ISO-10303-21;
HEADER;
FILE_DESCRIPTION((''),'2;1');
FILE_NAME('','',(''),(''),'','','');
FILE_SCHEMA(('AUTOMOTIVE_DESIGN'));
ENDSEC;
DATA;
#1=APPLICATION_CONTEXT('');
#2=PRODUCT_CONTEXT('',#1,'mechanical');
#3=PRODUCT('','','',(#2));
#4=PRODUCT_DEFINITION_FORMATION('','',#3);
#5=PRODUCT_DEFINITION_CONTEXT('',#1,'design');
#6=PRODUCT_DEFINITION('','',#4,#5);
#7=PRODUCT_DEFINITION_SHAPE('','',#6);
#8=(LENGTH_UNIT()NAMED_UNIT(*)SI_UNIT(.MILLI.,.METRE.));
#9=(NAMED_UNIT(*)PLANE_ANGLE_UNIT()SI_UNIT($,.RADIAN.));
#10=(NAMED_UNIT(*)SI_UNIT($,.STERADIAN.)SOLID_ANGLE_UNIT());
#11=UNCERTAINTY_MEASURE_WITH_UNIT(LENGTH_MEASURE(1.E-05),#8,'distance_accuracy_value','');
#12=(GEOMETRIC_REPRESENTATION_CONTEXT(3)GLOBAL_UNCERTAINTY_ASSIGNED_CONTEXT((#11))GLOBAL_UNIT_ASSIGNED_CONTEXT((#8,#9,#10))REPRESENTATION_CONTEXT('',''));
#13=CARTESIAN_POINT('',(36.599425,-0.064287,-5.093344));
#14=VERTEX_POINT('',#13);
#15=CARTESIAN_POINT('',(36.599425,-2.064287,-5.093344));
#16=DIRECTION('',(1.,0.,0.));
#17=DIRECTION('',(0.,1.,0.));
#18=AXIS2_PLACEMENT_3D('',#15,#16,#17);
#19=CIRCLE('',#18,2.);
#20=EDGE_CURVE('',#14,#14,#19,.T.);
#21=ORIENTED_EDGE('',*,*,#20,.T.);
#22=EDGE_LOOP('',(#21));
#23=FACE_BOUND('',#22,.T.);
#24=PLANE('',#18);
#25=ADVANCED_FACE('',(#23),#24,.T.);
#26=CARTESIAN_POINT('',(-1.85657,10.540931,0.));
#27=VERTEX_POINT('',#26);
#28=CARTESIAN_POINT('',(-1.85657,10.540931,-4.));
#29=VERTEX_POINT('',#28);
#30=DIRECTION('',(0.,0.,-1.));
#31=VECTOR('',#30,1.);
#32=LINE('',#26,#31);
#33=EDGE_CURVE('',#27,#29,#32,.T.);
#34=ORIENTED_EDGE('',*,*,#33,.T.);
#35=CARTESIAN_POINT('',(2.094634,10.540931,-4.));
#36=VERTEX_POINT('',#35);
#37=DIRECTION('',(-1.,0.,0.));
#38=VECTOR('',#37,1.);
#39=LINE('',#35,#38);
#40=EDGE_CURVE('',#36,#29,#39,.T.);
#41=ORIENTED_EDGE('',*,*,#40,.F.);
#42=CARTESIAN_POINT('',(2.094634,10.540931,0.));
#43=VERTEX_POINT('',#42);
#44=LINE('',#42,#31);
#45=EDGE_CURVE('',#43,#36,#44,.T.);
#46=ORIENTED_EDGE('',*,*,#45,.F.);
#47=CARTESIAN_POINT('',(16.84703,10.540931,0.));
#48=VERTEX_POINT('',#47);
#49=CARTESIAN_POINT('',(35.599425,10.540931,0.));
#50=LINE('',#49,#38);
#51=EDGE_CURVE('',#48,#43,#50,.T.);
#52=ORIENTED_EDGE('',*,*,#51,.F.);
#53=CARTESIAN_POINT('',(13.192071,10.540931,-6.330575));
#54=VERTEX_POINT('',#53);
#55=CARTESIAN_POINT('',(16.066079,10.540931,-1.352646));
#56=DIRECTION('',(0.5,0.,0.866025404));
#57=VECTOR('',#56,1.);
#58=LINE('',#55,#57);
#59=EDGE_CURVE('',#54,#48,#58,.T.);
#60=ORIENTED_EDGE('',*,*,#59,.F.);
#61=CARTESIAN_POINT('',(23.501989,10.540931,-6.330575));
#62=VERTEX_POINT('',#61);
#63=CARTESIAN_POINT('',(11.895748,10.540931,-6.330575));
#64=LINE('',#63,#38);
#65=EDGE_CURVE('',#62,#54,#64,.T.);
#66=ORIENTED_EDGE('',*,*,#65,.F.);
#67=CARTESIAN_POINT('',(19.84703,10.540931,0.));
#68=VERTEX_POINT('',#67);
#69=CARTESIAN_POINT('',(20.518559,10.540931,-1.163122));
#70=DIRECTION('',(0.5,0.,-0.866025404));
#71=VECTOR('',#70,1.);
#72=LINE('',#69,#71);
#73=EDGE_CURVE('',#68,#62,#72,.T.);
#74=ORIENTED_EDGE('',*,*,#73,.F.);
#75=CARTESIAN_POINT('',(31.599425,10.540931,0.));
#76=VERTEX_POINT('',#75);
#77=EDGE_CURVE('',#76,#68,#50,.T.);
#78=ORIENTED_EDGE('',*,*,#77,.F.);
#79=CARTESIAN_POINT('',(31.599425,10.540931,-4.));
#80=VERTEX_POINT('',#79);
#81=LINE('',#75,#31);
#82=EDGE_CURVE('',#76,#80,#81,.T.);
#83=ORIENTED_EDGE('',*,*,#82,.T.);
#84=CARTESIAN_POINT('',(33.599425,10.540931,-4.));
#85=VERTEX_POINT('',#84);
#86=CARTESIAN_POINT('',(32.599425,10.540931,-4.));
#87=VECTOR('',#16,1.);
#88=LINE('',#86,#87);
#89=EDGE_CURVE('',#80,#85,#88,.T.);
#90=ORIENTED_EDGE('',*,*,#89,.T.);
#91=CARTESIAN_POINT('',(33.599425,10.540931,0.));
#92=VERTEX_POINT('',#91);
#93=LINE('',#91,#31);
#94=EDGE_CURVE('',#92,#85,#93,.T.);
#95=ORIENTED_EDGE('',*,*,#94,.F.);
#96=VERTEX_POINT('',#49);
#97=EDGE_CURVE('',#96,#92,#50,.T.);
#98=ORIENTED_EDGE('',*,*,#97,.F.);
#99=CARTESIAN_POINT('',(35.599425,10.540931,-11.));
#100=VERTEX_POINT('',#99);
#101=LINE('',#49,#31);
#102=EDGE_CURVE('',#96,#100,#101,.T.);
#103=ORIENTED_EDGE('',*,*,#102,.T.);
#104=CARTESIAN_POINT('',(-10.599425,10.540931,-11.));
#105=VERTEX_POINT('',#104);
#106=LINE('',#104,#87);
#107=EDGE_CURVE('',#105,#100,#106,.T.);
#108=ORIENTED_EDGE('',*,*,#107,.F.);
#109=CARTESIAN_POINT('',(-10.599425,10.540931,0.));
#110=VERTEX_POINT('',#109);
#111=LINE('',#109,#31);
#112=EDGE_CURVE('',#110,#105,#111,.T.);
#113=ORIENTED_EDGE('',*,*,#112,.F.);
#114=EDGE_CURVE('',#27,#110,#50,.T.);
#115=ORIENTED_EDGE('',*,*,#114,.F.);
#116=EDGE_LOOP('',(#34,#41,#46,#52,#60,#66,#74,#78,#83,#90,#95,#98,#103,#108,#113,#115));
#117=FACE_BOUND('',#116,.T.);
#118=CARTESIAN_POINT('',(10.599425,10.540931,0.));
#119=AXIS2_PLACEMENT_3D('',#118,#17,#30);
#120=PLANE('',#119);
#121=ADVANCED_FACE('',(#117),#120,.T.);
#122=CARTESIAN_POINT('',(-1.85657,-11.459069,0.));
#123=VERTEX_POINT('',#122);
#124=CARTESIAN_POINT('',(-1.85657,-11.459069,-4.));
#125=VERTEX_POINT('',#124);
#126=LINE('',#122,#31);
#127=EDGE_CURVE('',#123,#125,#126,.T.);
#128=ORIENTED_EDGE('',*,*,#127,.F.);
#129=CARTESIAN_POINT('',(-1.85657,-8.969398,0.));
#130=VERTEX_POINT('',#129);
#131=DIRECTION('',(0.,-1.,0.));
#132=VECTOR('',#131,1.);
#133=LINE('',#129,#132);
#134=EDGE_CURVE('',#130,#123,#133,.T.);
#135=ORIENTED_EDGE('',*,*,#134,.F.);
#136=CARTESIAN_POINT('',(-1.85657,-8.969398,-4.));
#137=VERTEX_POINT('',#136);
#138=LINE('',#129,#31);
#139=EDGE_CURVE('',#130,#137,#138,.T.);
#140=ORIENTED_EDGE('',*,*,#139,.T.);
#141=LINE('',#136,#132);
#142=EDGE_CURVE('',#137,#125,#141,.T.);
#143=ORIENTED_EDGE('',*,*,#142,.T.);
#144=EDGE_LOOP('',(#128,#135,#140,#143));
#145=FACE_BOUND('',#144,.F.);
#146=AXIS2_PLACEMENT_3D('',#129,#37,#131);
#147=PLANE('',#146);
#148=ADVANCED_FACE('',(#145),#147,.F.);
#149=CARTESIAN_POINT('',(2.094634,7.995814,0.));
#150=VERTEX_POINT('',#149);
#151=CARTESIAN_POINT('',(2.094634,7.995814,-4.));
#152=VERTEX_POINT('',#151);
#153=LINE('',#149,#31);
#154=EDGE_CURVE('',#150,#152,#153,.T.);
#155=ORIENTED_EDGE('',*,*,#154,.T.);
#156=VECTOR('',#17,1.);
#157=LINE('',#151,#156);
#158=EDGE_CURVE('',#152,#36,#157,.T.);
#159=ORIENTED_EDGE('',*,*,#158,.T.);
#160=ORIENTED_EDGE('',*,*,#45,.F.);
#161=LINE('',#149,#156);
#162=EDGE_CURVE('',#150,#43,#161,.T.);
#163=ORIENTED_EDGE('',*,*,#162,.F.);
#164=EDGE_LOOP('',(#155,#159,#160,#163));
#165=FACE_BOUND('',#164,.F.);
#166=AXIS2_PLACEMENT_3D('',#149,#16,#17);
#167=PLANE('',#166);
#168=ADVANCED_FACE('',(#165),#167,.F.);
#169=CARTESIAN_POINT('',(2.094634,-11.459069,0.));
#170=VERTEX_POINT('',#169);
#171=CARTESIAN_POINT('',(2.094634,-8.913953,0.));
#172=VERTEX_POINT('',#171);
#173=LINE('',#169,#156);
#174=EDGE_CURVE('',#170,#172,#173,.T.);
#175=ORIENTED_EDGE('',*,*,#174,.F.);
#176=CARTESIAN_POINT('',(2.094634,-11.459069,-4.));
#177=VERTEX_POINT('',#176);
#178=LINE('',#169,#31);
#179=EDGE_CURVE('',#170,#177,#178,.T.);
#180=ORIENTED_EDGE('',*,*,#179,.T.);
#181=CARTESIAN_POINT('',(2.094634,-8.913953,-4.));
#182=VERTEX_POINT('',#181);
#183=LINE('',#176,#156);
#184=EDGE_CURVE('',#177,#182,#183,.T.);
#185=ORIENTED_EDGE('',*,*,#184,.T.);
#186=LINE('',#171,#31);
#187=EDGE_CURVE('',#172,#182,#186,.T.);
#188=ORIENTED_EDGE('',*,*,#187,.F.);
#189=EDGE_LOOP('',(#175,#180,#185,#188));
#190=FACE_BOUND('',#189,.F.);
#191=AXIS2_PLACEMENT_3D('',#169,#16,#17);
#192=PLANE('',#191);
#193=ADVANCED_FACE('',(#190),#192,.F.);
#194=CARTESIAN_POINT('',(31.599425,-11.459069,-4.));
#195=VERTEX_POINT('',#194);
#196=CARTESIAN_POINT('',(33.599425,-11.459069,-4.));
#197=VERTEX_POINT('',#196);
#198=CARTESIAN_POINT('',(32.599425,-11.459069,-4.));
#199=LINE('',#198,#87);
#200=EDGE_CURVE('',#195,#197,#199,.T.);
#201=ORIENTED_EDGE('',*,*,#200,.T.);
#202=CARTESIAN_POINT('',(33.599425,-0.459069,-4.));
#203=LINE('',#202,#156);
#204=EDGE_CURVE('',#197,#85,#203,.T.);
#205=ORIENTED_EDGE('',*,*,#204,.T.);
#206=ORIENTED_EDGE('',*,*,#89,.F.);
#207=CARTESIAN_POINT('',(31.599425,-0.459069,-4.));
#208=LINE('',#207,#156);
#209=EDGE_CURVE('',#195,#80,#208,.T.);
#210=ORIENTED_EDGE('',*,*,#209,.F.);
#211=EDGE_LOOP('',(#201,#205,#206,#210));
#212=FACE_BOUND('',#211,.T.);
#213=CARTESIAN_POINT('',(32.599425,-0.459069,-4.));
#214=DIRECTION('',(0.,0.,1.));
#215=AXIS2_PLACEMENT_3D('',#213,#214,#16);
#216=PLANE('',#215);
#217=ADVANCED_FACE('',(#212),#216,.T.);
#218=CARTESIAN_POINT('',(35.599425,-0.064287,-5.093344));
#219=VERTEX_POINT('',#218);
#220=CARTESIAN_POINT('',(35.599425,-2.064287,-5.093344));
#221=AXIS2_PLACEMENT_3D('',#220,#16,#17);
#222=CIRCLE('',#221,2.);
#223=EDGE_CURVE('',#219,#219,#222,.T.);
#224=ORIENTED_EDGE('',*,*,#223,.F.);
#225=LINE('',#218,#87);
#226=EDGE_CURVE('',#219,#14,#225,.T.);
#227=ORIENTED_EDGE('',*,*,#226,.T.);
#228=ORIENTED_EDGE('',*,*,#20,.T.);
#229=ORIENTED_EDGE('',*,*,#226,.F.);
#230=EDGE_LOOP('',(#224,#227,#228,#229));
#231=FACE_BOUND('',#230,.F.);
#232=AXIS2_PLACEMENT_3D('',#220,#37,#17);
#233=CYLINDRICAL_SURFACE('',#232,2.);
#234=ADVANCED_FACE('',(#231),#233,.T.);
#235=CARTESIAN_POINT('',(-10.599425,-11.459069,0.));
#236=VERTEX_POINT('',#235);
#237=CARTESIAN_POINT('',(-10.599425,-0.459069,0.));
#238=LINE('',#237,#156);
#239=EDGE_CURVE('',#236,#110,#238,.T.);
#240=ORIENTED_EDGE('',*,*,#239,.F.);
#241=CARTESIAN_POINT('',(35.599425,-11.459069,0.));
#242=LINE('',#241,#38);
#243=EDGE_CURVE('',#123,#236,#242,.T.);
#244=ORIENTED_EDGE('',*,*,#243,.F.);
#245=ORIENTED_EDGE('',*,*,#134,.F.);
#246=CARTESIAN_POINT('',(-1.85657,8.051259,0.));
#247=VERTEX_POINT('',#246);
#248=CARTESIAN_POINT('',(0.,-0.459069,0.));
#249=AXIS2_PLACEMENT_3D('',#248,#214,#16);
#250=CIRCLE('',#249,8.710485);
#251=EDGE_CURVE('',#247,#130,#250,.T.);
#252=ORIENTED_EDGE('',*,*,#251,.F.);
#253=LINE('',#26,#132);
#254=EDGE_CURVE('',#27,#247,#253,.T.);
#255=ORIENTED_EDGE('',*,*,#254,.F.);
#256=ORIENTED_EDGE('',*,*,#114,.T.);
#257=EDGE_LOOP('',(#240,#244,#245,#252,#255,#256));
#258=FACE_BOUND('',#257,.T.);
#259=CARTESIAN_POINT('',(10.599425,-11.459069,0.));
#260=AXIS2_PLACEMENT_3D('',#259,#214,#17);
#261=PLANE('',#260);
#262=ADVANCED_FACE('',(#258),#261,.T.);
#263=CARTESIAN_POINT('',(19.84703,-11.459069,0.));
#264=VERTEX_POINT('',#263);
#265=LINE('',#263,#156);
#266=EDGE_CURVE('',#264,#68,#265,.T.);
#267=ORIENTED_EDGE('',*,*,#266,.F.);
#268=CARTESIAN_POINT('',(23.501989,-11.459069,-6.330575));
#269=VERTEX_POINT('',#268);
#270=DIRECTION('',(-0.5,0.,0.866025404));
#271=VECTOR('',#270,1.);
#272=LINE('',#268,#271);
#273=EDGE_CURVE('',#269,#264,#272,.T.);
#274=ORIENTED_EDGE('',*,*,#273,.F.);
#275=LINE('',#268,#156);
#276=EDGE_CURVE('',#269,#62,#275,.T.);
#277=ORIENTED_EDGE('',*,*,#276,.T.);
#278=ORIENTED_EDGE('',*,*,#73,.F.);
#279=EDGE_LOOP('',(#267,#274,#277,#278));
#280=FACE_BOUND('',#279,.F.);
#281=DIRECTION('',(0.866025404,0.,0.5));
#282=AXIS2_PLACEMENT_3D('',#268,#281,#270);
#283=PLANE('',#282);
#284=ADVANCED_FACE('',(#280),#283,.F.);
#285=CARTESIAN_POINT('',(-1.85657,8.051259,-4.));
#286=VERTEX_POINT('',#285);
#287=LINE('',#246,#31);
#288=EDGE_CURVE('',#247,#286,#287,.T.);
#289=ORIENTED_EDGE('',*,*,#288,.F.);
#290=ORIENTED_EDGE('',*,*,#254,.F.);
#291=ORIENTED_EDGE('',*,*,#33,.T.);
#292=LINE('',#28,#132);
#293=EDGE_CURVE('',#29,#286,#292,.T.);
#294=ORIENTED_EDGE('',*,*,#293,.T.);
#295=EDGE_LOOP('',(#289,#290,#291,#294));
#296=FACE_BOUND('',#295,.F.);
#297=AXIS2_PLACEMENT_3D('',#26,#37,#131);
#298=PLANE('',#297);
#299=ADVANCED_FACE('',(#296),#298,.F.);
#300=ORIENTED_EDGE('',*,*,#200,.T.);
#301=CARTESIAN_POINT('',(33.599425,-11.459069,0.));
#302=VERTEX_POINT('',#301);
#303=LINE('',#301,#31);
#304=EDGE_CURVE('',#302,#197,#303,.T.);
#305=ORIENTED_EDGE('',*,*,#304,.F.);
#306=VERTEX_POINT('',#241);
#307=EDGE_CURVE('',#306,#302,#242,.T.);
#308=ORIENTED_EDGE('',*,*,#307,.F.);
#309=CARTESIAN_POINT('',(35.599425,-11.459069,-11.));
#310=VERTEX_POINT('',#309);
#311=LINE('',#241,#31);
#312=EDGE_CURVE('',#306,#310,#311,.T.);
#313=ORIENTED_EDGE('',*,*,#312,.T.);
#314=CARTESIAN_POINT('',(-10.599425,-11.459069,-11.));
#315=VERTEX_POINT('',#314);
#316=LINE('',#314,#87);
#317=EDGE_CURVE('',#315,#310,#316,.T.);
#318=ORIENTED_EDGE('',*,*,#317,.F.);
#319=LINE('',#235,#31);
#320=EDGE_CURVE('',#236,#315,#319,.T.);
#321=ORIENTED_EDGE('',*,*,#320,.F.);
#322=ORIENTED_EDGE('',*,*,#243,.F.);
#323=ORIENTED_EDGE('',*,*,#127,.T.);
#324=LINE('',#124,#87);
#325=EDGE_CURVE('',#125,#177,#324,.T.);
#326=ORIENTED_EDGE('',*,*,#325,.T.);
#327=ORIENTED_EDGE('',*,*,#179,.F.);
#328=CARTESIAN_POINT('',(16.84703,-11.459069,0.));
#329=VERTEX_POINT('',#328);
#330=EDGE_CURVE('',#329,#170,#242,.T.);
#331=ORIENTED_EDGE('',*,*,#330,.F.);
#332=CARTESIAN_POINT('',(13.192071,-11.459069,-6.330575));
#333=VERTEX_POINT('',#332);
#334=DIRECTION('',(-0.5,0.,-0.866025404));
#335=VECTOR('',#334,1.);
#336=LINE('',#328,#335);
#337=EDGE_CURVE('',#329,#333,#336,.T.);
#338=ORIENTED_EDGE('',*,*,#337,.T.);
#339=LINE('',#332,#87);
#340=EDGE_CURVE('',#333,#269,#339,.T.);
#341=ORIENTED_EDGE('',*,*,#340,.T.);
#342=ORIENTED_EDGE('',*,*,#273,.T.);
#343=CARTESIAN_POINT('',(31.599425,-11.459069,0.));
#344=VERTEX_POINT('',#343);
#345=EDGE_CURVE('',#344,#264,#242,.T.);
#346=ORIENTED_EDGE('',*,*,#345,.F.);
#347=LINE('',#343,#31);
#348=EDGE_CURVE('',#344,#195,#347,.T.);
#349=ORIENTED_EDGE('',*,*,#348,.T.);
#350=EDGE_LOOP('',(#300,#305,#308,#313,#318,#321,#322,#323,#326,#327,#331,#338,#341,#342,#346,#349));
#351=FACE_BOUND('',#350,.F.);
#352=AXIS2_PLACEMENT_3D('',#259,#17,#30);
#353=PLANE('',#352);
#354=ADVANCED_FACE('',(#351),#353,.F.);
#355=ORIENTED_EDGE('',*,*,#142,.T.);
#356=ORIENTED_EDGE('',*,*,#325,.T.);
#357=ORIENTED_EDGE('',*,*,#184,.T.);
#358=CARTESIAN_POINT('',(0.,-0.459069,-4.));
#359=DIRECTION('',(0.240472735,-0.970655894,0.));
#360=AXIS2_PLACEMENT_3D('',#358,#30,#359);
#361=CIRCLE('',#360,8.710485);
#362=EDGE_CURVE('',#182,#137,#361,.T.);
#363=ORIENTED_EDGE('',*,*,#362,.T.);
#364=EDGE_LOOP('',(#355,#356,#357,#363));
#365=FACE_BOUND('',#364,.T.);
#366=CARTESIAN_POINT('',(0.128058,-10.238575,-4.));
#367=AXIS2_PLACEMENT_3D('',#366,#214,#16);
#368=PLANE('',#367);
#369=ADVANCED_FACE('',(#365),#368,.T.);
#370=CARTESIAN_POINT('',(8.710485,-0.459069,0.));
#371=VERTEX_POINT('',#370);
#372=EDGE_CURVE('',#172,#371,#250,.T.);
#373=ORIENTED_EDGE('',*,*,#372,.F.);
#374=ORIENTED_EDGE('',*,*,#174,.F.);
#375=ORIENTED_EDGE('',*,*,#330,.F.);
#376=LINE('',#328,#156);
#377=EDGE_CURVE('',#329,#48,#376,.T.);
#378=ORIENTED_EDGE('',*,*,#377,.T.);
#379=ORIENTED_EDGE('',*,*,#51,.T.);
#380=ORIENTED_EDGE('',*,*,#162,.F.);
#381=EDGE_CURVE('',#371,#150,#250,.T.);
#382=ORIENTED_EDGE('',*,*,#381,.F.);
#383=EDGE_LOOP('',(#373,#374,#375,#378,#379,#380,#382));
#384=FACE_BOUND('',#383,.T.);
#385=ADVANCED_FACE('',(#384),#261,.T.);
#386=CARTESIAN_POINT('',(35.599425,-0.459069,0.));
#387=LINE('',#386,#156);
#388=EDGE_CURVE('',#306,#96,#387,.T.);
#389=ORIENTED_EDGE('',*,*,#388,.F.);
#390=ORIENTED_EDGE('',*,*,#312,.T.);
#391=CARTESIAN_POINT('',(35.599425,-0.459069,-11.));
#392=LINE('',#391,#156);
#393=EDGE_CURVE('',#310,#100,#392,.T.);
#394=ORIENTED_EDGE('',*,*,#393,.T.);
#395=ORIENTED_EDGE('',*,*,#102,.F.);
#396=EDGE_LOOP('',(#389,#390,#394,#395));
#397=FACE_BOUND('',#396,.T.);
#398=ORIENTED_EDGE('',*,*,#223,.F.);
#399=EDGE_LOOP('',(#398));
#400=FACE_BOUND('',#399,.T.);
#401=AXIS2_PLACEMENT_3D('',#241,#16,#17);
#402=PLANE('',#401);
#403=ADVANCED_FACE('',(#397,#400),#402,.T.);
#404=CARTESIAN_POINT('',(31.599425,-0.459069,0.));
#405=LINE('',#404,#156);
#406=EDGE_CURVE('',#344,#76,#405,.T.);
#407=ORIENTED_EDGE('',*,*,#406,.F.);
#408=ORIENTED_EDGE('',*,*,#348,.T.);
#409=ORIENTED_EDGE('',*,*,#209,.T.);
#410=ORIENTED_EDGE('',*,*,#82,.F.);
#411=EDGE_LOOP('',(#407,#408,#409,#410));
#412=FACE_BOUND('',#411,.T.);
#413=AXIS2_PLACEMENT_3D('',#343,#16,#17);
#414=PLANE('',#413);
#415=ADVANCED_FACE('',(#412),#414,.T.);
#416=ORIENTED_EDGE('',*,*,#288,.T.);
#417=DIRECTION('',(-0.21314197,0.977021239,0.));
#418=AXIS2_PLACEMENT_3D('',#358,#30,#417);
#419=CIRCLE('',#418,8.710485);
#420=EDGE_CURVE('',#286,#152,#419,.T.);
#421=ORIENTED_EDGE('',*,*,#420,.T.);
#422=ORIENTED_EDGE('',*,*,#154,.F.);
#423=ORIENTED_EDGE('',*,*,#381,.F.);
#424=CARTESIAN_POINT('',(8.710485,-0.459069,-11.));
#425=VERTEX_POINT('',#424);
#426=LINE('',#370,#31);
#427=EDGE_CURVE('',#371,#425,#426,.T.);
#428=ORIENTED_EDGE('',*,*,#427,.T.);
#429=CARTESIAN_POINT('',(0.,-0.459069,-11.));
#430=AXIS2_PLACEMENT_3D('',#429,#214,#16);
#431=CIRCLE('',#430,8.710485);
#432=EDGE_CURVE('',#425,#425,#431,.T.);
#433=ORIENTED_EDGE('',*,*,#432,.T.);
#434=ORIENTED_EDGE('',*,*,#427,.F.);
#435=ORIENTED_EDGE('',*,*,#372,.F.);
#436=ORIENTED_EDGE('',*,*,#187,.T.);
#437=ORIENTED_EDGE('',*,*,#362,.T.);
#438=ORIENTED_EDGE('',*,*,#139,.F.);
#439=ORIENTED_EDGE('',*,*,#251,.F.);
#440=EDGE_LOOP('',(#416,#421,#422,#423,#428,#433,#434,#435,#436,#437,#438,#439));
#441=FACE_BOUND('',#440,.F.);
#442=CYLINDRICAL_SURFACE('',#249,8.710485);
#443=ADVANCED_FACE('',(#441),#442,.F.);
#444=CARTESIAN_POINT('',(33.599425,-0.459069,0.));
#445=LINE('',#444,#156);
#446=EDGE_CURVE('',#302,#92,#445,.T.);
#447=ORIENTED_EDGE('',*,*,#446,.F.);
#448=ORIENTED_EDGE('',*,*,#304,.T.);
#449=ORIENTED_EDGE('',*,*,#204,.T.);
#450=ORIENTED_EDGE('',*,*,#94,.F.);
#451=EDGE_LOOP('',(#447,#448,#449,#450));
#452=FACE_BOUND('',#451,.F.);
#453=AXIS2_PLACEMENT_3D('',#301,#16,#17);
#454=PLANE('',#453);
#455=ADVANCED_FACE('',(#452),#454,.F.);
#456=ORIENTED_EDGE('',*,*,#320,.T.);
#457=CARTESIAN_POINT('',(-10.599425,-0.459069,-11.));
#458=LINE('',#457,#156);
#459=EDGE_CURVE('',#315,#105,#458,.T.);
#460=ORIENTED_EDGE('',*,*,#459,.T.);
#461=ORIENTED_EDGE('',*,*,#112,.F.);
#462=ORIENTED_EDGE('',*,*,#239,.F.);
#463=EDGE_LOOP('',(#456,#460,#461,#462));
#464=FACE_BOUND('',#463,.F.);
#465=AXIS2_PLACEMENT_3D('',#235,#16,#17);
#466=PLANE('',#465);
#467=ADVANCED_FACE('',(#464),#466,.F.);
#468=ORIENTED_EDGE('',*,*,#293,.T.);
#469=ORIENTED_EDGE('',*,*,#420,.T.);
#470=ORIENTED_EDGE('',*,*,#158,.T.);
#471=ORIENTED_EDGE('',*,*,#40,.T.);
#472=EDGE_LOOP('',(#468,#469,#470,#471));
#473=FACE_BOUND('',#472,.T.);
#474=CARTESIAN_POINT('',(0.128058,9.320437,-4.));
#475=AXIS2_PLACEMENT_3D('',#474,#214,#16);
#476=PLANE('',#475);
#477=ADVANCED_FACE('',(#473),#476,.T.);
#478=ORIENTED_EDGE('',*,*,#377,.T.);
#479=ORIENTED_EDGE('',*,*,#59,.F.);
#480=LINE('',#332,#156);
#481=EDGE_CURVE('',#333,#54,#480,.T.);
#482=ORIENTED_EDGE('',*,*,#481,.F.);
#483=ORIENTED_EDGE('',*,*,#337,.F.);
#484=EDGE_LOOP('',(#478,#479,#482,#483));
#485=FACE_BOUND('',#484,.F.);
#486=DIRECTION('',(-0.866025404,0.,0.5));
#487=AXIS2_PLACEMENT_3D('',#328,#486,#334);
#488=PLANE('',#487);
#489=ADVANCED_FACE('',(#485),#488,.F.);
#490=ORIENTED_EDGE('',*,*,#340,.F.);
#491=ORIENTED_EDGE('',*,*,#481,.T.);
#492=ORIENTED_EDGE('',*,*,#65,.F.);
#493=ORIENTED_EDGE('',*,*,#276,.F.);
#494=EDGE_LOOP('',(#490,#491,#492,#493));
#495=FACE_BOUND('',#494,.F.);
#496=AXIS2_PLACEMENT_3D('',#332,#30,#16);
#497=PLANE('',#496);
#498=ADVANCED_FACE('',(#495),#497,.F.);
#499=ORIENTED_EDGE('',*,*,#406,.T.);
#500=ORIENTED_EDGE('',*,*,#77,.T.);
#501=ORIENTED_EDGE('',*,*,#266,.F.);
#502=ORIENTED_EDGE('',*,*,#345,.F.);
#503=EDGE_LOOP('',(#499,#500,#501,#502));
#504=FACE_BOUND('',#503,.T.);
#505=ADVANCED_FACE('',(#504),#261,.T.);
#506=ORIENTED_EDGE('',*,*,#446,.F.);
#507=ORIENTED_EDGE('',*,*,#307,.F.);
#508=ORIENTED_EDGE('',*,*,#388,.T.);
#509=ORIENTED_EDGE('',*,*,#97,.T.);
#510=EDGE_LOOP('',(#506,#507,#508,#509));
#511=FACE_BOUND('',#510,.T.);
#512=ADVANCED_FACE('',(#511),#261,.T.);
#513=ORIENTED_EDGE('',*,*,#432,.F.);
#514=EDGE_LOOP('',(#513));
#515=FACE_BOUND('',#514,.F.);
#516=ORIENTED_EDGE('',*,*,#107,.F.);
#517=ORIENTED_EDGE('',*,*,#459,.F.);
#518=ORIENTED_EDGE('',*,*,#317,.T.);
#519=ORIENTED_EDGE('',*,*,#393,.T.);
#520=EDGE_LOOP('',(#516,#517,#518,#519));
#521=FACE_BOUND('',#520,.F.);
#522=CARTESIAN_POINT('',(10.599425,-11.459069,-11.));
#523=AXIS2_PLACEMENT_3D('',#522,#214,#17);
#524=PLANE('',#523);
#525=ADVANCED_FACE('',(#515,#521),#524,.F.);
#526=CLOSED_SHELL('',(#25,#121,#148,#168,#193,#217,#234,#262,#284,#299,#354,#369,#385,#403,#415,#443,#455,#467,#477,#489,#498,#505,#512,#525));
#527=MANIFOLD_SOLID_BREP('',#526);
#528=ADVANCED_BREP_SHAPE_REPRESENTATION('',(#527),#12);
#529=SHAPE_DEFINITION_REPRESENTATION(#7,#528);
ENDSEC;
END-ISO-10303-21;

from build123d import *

# Parameters (mm, degrees)
F0_W     = 21.1988506515
F0_H     = 22
F0_R     = 8.7104848274
F1_DEPTH = 11
F2_DEPTH = 25
F3_W     = 2
F3_H     = 22
F4_DEPTH = 4
F6_DEPTH = 22.001
F7_R     = 2
F8_DEPTH = 1


with BuildPart() as f1:
    # F0 (on Top) → F1 (new body)
    with BuildSketch(Plane.XY):
        with Locations((0, -0.4590692324)):
            Rectangle(F0_W, F0_H)
        with Locations((0, -0.4590692324)):
            Circle(F0_R, mode=Mode.SUBTRACT)
    extrude(amount=-F1_DEPTH)

    # F2 (add): a face of the model
    f2_faces = [f1.faces().sort_by_distance(p)[0] for p in [
        (10.5994253258, -0.4590692324, -5.5),
    ]]
    extrude(f2_faces, amount=F2_DEPTH)

    # F3 (on face) → F4 (cut)
    with BuildSketch(Plane.XY):
        with Locations((32.5994253258, -0.4590692324)):
            Rectangle(F3_W, F3_H)
        with BuildLine():
            Line((-1.8565698992, -11.4590692324), (2.0946341101, -11.4590692324))
            Line((2.0946341101, -11.4590692324), (2.0946341101, -8.9139526659))
            ThreePointArc((2.0946341101, -8.9139526659), (0.1222177802, -9.168696592), (-1.8565698992, -8.9693979063))
            Line((-1.8565698992, -8.9693979063), (-1.8565698992, -11.4590692324))
        make_face()
        with BuildLine():
            Line((2.0946341101, 7.995814201), (2.0946341101, 10.5409307676))
            Line((2.0946341101, 10.5409307676), (-1.8565698992, 10.5409307676))
            Line((-1.8565698992, 10.5409307676), (-1.8565698992, 8.0512594415))
            ThreePointArc((-1.8565698992, 8.0512594415), (0.1222177802, 8.2505581271), (2.0946341101, 7.995814201))
        make_face()
    extrude(amount=-F4_DEPTH, mode=Mode.SUBTRACT)

    # F5 (on face) → F6 (cut, through all)
    with BuildSketch(Plane.XZ.offset(11.4590692324)):
        Polygon((19.8470297179, 0), (16.8470297179, 0), (13.192070817, -6.330574516), (23.5019886189, -6.330574516), align=None)
    extrude(amount=-F6_DEPTH, mode=Mode.SUBTRACT)

    # F7 (on face) → F8 (join)
    with BuildSketch(Plane.YZ.offset(35.5994253258)):
        with Locations((-2.064286964, -5.0933435559)):
            Circle(F7_R)
    extrude(amount=F8_DEPTH)


solid = f1.part
